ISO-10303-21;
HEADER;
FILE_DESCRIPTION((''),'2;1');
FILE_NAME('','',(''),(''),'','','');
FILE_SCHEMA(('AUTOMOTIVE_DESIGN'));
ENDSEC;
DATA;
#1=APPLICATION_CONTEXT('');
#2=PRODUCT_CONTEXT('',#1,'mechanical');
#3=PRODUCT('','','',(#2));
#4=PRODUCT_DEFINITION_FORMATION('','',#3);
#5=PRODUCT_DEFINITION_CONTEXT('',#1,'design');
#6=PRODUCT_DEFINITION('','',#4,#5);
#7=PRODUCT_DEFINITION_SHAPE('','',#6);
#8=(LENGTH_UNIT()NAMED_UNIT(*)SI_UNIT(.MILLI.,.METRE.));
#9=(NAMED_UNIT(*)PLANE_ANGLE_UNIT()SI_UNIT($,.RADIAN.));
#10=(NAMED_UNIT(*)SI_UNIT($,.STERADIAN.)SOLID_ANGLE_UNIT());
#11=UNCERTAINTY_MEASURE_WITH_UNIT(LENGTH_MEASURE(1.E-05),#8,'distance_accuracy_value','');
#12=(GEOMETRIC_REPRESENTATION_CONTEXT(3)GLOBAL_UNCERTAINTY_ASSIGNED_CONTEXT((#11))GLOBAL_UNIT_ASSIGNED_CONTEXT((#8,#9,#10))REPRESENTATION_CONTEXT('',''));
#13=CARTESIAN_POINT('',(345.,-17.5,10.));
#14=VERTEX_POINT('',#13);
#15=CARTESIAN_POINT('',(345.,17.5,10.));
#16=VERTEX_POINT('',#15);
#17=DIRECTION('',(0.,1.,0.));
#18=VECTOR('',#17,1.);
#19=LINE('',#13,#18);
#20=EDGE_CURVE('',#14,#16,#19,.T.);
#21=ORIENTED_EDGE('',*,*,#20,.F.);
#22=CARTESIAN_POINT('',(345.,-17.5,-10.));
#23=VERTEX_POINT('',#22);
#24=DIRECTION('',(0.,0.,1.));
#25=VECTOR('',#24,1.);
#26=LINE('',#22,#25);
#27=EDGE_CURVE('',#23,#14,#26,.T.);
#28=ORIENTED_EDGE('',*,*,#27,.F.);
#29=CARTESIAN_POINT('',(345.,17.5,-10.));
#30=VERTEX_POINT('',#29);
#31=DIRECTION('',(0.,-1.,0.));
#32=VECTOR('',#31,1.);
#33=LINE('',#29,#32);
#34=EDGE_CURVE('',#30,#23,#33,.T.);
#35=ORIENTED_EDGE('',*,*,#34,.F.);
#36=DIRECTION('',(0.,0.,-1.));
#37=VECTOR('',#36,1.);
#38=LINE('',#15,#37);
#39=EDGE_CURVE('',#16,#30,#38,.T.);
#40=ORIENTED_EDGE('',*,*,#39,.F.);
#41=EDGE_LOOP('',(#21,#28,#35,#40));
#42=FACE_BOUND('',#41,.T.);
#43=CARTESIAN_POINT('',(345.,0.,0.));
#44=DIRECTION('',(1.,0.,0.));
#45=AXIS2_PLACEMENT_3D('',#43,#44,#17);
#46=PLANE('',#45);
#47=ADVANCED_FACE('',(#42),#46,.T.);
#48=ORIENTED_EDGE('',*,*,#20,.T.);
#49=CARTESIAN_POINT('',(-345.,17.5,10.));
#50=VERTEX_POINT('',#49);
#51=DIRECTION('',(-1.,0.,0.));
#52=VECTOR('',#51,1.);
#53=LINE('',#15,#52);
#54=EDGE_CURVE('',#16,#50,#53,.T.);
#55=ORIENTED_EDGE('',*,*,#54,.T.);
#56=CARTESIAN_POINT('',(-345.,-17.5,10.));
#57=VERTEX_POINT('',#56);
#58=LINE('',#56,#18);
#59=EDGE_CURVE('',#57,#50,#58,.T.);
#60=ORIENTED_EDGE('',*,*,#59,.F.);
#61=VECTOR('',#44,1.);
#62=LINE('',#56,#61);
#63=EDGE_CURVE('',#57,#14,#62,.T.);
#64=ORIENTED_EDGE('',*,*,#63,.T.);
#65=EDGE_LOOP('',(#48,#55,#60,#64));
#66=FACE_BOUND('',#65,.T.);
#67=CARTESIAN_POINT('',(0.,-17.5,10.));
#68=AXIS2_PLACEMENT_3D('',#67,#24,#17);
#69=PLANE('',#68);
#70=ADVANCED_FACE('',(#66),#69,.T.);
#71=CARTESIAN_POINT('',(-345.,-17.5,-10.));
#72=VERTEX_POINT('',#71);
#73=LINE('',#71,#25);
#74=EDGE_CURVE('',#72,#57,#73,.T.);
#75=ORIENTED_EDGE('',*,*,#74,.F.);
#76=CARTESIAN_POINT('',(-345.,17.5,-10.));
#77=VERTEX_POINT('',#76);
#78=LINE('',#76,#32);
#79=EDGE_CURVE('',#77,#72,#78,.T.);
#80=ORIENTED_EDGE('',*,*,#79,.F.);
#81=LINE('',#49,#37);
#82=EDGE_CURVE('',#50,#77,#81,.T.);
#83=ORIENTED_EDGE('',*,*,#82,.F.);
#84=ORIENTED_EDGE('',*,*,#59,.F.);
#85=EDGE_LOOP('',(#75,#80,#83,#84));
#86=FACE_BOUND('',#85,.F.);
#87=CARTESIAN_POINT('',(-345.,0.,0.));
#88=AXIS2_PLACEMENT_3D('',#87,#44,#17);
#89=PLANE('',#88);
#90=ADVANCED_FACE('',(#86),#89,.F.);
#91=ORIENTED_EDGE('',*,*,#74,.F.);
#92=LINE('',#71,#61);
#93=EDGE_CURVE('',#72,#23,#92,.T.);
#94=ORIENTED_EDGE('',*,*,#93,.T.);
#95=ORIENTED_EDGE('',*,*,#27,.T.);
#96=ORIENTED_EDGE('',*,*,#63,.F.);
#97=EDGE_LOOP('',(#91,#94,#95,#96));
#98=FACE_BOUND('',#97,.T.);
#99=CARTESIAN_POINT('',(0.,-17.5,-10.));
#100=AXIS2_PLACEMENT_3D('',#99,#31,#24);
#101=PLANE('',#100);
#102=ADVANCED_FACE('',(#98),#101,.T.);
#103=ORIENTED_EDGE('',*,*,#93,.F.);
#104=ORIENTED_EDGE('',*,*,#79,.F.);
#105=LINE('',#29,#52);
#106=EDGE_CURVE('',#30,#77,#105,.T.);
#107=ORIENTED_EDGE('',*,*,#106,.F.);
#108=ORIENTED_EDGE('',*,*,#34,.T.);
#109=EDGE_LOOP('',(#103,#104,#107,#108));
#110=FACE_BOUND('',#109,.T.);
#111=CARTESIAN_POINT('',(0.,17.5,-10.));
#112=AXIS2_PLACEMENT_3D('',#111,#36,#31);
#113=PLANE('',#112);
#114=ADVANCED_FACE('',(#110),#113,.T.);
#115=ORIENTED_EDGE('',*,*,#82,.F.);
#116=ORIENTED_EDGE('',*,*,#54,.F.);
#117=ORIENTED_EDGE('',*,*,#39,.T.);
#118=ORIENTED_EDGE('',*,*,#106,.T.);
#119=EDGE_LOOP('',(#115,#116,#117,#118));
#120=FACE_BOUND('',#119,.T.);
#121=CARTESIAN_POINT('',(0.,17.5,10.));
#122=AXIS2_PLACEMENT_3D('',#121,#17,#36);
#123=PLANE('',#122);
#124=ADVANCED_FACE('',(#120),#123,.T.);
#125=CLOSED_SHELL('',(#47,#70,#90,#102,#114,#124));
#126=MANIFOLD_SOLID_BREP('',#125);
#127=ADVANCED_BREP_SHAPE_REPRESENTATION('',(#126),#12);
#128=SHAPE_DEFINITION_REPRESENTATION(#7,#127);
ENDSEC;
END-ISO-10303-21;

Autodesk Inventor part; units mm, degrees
ref_plane "YZ Plane" through (0, 0, 0) normal (1, 0, 0) x (0, 1, 0)
ref_plane "XZ Plane" through (0, 0, 0) normal (0, 1, 0) x (-1, 0, 0)
ref_plane "XY Plane" through (0, 0, 0) normal (0, 0, 1) x (1, 0, 0)
sketch "Sketch1" plane through (0, 0, 0) normal (1, 0, 0) x (0, 1, 0)
  line L0 (-17.5, 10) -> (17.5, 10)
  line L1 (17.5, 10) -> (17.5, -10)
  line L2 (17.5, -10) -> (-17.5, -10)
  line L3 (-17.5, -10) -> (-17.5, 10)
  line L4 (-17.5, 10) -> (17.5, -10) construction
  line L5 (17.5, 10) -> (-17.5, -10) construction
  point P0 (0, 0)
  dimension "d0" = 35
  dimension "d1" = 20
extrude "Extrusion1" add sketch "Sketch1" along normal mid plane 690
properties part number "LinearScale-690mm"
